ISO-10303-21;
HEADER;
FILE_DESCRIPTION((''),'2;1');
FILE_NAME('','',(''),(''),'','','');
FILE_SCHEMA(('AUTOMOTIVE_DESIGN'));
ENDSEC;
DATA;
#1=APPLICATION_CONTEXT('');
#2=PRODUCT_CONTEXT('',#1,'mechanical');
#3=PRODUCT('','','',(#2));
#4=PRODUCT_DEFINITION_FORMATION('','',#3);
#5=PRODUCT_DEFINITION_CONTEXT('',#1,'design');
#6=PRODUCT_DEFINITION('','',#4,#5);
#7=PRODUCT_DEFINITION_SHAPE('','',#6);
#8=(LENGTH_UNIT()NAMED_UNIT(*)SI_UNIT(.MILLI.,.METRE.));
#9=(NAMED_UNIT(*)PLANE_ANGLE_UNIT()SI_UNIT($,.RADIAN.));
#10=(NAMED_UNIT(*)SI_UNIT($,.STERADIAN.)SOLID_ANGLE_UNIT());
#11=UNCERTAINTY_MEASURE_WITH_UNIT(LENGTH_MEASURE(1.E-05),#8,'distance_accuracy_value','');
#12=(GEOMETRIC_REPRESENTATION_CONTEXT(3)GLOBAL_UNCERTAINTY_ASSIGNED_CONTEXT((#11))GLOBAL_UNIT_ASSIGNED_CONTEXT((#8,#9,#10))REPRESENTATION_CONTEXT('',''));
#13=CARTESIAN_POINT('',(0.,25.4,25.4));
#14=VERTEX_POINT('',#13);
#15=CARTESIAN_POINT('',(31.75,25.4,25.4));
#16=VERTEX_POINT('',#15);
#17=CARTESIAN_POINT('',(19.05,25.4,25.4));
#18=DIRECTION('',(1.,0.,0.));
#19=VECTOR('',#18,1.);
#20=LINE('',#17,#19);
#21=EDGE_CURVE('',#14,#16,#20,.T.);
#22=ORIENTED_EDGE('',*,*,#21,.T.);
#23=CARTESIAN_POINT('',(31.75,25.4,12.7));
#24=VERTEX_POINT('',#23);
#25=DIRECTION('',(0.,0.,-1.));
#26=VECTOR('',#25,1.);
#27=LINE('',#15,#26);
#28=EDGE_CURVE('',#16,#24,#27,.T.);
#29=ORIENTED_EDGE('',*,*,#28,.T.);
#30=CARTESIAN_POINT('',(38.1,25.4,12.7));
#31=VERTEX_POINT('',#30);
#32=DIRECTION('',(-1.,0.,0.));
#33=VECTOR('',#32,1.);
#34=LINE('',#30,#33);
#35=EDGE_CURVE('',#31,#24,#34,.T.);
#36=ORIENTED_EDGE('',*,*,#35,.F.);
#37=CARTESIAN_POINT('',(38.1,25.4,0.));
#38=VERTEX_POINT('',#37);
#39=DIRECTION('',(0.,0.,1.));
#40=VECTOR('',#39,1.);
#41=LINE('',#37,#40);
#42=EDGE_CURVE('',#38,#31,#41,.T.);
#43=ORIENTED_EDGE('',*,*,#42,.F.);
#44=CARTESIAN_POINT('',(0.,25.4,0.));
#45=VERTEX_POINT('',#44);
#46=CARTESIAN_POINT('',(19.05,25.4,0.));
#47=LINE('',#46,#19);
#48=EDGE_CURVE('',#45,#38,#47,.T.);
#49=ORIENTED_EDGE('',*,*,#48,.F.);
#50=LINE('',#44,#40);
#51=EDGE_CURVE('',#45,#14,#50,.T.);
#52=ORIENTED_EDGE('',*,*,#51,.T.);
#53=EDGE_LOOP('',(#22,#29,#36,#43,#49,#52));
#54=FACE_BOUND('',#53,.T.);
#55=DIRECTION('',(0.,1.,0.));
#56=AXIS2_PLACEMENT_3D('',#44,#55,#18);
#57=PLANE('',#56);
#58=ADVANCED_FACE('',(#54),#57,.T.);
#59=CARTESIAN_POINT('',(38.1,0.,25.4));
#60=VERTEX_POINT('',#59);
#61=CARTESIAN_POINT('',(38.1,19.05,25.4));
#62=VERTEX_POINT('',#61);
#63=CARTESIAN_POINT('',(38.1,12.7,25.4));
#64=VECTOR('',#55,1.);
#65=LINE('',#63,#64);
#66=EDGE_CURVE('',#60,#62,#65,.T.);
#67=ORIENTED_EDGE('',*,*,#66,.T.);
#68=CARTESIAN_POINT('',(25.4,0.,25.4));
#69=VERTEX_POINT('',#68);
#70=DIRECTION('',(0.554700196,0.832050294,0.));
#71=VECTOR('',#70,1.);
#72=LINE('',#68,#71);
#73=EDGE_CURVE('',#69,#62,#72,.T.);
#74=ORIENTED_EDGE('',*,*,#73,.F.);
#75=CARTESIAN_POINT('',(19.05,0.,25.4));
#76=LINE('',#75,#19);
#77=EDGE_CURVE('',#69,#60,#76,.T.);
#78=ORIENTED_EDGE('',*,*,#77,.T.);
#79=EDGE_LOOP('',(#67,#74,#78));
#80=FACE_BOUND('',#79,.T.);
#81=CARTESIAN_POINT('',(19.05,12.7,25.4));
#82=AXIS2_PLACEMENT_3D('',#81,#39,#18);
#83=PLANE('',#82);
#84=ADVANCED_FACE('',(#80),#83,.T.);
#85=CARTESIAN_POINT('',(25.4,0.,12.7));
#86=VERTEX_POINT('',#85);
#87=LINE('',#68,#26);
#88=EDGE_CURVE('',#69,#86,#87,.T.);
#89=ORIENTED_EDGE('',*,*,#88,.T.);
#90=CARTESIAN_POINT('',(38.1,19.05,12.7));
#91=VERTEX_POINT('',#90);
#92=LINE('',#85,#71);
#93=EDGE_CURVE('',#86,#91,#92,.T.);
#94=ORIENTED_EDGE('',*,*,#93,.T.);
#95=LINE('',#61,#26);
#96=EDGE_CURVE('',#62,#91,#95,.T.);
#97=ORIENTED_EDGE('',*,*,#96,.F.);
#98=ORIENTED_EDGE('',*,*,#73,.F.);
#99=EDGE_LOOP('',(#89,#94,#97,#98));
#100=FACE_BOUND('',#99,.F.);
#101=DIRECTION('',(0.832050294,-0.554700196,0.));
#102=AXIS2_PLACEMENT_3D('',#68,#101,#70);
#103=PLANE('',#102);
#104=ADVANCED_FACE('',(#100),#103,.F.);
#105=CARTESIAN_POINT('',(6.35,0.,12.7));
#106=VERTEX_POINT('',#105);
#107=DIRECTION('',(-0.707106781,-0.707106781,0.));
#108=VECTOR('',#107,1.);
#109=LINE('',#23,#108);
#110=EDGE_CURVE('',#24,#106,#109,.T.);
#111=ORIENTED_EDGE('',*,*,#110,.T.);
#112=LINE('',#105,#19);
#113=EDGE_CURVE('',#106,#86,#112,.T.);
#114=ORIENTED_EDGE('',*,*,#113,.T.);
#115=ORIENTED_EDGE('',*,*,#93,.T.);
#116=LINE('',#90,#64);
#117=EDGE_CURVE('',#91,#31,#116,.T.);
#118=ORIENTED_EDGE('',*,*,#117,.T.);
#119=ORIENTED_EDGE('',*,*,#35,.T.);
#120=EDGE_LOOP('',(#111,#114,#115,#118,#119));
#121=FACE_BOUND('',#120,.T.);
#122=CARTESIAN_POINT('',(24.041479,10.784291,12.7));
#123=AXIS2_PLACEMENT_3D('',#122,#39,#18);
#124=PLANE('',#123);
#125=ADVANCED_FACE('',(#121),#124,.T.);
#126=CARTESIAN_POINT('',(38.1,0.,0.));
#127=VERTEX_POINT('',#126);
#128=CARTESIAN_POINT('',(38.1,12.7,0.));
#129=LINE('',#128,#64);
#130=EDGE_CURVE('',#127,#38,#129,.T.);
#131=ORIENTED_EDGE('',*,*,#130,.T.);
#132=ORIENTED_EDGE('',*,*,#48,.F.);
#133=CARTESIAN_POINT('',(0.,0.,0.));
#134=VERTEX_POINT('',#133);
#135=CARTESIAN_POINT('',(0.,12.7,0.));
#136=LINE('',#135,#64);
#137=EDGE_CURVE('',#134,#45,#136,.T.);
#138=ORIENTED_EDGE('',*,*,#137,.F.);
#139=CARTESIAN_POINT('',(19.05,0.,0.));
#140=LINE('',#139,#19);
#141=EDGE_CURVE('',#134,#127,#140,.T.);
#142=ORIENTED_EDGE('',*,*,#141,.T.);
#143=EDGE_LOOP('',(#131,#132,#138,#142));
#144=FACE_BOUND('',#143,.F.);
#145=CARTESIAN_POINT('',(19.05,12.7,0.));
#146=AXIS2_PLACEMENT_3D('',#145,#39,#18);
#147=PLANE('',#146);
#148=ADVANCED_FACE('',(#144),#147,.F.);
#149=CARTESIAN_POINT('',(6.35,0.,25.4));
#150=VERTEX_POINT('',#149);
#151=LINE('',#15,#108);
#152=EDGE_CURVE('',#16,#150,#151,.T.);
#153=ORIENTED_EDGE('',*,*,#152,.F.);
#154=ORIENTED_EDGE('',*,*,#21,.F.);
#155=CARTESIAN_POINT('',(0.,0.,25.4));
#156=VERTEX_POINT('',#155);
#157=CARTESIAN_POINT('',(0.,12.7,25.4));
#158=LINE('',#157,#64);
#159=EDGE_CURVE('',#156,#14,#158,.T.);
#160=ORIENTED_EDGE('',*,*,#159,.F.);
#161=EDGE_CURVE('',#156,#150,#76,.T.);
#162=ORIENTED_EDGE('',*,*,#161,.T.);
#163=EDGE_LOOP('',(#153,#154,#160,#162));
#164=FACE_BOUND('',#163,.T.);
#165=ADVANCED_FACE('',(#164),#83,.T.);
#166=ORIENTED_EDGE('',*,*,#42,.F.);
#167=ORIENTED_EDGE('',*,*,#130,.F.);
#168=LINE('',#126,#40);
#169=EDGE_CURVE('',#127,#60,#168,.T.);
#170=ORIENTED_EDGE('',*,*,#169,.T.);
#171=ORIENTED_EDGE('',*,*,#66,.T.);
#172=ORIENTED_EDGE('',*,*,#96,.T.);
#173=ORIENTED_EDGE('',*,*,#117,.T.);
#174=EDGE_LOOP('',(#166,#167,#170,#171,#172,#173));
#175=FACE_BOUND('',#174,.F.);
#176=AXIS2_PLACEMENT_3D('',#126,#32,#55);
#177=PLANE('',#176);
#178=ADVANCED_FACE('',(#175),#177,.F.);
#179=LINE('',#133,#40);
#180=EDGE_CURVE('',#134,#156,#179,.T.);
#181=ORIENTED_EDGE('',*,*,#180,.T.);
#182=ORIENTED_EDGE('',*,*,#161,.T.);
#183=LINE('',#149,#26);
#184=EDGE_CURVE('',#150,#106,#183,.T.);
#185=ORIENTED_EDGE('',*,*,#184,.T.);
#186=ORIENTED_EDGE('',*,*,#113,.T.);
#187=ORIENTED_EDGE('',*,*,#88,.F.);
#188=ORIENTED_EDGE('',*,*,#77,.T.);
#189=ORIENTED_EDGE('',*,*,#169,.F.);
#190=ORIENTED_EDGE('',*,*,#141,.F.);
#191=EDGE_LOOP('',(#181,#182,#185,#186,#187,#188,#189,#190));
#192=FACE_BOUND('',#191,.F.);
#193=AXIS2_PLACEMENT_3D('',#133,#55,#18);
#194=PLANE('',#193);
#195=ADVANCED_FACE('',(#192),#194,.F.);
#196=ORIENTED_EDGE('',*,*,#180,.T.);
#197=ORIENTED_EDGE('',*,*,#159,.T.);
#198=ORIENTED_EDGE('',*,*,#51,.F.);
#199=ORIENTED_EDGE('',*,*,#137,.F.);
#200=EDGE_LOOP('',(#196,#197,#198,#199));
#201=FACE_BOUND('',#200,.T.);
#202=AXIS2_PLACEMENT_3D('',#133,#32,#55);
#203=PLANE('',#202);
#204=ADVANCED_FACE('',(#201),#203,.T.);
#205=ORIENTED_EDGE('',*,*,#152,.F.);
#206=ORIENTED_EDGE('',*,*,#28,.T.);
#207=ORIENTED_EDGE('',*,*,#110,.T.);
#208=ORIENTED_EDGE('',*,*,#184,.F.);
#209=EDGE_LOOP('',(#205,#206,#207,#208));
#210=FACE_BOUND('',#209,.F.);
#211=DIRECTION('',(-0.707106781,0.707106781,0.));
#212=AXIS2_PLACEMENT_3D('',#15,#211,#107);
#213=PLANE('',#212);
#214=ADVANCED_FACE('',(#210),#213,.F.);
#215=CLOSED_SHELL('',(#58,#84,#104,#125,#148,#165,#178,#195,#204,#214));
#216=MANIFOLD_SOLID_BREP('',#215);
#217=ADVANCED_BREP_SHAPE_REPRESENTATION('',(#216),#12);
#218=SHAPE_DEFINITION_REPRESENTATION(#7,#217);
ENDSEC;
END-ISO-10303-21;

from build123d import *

# Parameters (mm, degrees)
F0_W     = 38.1
F0_H     = 25.4
F1_DEPTH = 25.4
F3_DEPTH = 12.7


with BuildPart() as f1:
    # F0 (on Top) → F1 (new body)
    with BuildSketch(Plane.XY):
        with Locations((19.05, 12.7)):
            Rectangle(F0_W, F0_H)
    extrude(amount=F1_DEPTH)

    # F2 (on face) → F3 (cut)
    with BuildSketch(Plane.XY.offset(25.4)):
        Polygon((31.75, 25.4), (6.35, 0), (25.4, 0), (38.1, 19.05), (38.1, 25.4), align=None)
    extrude(amount=-F3_DEPTH, mode=Mode.SUBTRACT)


solid = f1.part
